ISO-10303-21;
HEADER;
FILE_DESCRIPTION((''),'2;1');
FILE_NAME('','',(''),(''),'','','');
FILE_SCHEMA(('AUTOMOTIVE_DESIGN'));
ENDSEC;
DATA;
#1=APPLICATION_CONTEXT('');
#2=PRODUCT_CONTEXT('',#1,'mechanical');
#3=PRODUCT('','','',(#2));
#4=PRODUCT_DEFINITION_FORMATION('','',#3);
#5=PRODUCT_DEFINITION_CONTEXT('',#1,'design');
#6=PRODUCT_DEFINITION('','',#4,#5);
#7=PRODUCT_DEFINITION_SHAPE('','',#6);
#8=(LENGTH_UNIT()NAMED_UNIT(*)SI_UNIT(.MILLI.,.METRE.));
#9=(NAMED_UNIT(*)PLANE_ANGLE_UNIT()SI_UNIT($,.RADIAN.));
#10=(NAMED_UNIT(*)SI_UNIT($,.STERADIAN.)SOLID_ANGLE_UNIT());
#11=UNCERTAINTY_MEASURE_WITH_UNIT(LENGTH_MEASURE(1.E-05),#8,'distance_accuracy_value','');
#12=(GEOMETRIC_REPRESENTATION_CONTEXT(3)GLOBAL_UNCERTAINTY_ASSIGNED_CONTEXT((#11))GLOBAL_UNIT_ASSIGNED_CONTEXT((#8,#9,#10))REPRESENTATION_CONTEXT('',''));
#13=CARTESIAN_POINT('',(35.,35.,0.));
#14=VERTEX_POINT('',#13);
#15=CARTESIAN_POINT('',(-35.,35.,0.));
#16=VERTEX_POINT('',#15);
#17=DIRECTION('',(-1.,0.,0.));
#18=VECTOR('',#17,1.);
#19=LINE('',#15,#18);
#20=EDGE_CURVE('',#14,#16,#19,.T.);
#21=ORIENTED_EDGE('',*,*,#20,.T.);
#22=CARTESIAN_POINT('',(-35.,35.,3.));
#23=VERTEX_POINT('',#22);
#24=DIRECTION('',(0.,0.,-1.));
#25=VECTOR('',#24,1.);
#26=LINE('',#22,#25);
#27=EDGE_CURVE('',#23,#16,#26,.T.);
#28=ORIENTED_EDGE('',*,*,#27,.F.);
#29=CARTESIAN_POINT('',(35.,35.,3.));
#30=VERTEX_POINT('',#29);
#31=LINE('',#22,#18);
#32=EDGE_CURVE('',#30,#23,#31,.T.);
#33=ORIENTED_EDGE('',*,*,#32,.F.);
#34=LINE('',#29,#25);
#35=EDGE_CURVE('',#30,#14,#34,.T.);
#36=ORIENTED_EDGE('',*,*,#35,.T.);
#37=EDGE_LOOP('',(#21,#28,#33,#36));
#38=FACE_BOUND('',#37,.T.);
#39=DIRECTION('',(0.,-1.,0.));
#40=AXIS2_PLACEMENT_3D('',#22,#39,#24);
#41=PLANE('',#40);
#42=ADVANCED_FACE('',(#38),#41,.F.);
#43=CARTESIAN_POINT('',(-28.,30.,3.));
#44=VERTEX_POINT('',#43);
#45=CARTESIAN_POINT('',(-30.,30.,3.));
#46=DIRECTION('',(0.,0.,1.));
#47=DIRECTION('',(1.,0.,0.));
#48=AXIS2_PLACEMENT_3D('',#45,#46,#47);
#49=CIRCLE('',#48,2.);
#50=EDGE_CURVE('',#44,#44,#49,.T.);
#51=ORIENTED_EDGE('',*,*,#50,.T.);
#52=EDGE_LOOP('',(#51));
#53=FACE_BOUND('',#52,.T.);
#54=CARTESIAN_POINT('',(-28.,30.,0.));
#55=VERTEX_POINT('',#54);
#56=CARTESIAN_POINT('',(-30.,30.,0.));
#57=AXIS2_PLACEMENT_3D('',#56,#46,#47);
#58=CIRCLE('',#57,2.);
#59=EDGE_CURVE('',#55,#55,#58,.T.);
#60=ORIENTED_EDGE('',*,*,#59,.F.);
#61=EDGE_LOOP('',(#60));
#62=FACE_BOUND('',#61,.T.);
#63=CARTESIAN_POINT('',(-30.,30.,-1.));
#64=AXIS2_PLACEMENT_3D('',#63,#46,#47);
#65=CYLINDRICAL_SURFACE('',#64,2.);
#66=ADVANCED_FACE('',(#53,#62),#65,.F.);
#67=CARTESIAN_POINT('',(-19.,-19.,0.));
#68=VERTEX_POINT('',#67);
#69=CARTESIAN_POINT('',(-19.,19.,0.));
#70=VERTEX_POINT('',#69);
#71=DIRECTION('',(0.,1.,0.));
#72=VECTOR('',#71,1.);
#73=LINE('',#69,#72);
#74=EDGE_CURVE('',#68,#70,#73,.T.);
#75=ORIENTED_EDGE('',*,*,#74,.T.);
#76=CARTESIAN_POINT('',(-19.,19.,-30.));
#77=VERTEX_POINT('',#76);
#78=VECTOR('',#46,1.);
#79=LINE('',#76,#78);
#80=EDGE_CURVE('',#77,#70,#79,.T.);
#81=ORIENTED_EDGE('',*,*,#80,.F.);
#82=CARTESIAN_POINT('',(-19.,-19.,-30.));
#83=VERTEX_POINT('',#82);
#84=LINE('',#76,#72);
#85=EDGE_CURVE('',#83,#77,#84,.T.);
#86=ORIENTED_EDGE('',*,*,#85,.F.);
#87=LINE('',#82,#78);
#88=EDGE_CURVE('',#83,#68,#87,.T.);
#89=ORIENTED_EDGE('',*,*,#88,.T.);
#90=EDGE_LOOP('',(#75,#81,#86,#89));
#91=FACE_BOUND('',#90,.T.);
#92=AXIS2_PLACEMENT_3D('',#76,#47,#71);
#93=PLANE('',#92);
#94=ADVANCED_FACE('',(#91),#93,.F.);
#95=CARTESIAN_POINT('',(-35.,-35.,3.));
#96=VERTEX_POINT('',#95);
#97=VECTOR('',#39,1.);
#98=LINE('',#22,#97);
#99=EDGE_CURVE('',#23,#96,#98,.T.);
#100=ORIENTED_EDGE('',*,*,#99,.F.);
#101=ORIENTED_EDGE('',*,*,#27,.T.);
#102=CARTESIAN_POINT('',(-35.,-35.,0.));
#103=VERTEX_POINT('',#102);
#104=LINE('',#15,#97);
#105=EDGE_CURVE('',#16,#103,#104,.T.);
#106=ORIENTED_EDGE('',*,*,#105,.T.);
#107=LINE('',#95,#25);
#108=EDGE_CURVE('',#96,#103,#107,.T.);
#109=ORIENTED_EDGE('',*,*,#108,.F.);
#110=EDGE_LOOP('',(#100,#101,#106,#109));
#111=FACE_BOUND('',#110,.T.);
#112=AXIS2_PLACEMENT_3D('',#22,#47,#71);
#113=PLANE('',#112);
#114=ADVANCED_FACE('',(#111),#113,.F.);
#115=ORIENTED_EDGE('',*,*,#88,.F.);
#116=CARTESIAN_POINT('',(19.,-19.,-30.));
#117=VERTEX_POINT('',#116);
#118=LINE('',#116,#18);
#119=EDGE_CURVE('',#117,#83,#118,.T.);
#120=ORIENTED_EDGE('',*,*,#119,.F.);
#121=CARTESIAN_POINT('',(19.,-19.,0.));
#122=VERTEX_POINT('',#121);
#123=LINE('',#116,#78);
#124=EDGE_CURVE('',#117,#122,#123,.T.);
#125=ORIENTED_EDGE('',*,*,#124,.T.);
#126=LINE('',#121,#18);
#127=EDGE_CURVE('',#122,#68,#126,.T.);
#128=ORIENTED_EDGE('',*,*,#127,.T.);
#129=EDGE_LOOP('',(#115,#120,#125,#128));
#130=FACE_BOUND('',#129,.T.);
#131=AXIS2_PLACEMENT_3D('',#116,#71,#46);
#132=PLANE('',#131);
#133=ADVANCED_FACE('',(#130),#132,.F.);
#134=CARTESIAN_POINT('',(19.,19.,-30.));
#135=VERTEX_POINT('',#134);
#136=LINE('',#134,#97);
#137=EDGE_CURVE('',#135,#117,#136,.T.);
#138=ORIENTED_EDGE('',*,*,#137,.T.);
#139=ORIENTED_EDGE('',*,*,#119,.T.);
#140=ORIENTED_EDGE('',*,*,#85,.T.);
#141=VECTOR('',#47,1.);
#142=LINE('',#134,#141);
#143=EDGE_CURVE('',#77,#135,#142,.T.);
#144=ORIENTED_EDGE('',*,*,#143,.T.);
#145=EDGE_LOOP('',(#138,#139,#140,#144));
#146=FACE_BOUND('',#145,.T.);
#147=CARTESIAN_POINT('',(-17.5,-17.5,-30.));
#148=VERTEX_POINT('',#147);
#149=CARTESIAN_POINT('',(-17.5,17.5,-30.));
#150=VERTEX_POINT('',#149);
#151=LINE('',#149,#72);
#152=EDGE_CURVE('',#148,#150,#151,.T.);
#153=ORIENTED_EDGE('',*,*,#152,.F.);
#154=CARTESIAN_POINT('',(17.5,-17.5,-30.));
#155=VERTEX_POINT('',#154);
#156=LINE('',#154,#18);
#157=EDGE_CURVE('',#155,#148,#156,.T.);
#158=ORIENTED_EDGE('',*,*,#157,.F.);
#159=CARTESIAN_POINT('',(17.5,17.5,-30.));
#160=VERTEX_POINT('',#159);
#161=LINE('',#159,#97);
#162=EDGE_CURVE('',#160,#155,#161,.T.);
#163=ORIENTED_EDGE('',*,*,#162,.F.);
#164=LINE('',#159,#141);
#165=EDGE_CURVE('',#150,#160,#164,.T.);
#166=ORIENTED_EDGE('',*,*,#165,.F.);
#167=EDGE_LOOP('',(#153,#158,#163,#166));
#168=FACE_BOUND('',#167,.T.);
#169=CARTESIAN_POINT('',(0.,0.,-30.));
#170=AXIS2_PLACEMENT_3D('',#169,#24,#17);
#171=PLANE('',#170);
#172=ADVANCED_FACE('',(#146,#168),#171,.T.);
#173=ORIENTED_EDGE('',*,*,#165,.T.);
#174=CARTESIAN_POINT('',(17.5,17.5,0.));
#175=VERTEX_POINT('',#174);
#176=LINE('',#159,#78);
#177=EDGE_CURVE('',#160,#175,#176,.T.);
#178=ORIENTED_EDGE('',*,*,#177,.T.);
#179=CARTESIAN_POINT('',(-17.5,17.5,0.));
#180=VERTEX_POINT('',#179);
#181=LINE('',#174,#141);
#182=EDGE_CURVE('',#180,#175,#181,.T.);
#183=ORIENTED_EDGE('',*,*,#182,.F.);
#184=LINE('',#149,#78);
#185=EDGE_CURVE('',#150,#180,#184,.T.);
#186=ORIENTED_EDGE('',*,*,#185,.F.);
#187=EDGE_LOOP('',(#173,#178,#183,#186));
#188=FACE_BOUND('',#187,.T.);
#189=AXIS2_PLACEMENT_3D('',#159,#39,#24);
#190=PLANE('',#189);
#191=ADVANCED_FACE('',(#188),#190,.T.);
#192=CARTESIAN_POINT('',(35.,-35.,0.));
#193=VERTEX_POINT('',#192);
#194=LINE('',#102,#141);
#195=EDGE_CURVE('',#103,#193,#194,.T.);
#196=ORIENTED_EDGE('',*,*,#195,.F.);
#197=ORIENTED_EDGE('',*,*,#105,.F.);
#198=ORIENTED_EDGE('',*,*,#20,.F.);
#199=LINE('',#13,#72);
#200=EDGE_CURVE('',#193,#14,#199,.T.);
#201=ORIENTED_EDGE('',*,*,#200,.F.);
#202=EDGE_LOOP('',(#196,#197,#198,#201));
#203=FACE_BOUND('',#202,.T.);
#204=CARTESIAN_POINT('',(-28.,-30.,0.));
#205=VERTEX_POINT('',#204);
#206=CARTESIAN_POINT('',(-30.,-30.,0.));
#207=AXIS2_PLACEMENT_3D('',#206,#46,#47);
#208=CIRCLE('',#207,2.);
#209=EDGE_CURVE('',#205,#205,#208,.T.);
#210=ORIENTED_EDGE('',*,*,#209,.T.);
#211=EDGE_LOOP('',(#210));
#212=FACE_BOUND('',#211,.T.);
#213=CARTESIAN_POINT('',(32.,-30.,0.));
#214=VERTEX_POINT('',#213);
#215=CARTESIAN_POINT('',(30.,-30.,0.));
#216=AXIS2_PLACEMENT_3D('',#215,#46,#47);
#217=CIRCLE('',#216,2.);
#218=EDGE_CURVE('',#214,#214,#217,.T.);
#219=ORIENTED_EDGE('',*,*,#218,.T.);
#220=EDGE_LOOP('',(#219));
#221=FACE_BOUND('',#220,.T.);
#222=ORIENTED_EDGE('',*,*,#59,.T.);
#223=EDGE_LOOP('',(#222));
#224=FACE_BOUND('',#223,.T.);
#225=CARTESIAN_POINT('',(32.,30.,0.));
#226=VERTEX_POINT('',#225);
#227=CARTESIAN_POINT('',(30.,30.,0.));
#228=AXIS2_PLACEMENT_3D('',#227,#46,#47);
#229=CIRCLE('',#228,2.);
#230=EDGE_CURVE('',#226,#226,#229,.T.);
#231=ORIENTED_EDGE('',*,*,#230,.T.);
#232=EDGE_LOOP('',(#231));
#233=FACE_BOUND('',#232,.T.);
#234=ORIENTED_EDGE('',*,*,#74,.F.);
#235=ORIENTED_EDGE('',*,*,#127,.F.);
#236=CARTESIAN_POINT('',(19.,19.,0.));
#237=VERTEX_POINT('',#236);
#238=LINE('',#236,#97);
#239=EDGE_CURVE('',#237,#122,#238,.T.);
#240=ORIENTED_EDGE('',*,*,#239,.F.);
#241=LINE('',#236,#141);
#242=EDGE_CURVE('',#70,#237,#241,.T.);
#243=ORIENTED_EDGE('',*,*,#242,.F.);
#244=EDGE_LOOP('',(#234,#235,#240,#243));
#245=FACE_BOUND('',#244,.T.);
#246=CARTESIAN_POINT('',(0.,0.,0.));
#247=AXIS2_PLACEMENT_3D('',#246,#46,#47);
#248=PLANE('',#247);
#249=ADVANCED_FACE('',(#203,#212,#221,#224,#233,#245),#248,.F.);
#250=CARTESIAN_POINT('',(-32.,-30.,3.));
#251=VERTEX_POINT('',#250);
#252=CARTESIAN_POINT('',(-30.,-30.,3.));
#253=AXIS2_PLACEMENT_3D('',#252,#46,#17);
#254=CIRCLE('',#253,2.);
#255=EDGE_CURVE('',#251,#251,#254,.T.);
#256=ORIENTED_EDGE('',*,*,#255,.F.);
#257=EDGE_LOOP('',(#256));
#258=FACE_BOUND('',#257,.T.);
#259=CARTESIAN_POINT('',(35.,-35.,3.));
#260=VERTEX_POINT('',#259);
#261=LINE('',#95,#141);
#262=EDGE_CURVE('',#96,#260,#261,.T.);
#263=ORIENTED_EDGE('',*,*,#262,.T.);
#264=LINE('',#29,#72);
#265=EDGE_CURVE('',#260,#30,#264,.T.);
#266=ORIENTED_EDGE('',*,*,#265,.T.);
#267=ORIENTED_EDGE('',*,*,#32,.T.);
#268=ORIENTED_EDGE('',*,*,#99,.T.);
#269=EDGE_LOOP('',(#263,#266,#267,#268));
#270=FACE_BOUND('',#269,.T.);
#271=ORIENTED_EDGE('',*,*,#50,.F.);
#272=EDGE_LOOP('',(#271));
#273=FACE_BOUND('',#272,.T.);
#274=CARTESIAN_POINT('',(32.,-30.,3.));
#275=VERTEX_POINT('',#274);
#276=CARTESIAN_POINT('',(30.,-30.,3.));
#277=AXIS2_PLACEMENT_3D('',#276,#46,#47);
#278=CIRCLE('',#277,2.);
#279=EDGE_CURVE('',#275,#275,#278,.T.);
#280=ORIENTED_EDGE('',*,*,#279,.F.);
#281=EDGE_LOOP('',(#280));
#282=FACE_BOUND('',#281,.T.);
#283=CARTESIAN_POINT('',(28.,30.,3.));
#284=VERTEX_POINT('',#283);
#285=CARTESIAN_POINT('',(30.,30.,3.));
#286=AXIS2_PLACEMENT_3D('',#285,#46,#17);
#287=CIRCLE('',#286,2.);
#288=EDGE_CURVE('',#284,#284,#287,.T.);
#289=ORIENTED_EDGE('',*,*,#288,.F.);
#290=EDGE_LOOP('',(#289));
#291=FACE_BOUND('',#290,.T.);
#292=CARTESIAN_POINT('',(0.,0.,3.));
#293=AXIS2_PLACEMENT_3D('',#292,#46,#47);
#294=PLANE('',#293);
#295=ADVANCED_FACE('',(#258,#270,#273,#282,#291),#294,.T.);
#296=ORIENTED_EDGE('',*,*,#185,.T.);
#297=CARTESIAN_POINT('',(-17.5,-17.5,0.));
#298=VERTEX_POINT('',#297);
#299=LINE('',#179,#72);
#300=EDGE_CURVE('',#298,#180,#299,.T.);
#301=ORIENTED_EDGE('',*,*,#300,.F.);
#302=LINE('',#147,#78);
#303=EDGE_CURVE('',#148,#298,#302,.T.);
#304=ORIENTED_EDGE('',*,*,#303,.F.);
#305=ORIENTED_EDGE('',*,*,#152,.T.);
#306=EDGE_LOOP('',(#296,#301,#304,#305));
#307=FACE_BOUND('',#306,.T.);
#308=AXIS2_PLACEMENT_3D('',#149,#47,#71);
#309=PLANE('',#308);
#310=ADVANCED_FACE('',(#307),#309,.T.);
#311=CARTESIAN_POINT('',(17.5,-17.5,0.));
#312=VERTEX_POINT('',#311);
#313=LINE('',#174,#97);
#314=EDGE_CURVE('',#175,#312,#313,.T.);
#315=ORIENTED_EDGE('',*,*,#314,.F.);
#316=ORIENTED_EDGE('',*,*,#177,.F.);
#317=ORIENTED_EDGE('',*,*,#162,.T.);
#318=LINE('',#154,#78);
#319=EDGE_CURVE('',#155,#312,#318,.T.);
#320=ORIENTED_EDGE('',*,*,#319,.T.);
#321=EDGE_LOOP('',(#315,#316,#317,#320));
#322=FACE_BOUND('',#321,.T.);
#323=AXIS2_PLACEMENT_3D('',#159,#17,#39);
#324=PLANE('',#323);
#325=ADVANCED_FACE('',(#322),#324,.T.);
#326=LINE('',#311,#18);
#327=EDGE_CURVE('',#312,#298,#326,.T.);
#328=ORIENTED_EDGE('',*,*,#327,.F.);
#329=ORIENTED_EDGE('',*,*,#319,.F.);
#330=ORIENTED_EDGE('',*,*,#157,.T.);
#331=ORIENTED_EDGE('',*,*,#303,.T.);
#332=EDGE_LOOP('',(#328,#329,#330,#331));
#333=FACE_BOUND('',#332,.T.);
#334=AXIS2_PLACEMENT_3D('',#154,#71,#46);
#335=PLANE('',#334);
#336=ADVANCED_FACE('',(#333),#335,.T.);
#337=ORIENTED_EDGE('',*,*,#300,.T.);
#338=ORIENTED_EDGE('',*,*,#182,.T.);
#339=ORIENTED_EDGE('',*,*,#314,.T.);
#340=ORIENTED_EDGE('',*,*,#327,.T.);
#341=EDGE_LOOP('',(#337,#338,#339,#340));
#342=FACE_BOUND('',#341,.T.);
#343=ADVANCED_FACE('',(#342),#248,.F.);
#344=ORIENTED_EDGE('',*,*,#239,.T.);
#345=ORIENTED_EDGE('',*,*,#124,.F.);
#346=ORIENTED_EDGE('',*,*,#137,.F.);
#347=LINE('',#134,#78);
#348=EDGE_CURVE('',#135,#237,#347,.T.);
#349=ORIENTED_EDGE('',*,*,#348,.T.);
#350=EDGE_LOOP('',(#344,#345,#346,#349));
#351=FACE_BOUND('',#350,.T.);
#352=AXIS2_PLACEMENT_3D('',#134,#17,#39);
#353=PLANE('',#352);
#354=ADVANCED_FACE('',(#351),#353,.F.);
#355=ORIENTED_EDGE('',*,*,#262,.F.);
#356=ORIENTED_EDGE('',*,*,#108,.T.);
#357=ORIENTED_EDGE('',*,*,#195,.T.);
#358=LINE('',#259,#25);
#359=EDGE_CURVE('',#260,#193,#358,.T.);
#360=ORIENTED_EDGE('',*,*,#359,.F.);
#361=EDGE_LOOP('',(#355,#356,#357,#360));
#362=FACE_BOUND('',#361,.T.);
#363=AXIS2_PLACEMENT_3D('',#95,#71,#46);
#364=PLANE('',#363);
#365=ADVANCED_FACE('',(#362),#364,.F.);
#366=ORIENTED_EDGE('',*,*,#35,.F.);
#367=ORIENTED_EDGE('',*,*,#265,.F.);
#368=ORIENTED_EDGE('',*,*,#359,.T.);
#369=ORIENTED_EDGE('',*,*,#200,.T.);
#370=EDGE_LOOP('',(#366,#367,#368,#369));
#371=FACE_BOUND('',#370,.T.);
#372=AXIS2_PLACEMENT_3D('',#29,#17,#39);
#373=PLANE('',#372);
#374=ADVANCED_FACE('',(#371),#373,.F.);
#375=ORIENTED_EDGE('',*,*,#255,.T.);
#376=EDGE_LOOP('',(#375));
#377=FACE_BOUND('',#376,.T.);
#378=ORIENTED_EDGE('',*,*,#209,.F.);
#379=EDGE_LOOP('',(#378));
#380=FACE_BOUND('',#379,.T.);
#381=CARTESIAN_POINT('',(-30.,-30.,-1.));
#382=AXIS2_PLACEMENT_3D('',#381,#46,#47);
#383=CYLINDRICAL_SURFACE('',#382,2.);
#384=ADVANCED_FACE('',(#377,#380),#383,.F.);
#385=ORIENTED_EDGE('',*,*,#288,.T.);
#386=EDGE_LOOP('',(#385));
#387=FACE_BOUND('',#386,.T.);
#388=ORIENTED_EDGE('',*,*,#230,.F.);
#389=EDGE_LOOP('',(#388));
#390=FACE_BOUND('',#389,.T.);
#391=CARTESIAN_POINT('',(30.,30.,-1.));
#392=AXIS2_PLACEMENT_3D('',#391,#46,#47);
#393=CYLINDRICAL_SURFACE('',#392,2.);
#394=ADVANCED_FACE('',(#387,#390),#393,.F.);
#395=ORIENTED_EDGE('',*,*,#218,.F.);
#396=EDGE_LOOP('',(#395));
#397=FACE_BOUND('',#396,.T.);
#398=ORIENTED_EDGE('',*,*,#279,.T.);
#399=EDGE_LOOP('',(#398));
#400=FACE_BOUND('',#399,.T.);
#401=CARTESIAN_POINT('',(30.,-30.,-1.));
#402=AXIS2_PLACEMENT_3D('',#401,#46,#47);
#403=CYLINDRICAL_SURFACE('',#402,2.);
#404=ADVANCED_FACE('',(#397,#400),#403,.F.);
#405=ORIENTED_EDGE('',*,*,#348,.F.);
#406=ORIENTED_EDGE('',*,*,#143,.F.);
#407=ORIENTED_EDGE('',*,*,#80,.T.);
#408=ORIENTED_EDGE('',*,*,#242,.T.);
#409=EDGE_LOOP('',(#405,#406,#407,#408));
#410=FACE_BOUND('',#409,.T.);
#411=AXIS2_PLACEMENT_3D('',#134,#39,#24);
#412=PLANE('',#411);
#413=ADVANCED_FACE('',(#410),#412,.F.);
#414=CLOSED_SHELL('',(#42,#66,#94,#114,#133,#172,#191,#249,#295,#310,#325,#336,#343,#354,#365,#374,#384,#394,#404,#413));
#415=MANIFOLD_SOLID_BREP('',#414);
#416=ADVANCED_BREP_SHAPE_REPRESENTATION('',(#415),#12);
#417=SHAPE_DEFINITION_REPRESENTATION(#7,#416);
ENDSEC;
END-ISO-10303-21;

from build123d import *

# Parameters (mm, degrees)
SKETCH1_W           = 70
SKETCH1_H           = 70
BOSS_EXTRUDE1_DEPTH = 3
SKETCH3_R           = 2
CUT_EXTRUDE1_DEPTH  = 4
SKETCH5_W           = 38
SKETCH5_H           = 38
SKETCH5_W_2         = 35
SKETCH5_H_2         = 35
BOSS_EXTRUDE2_DEPTH = 30


with BuildPart() as part:
    # Sketch1 → Boss-Extrude1 (new body)
    with BuildSketch(Plane.XY):
        Rectangle(SKETCH1_W, SKETCH1_H)
    extrude(amount=BOSS_EXTRUDE1_DEPTH)

    # Sketch3 → Cut-Extrude1 (cut)
    with BuildSketch(Plane.XY.offset(3)):
        with Locations((-30, 30)):
            Circle(SKETCH3_R)
        with Locations((30, 30)):
            Circle(SKETCH3_R)
        with Locations((30, -30)):
            Circle(SKETCH3_R)
        with Locations((-30, -30)):
            Circle(SKETCH3_R)
    extrude(amount=-CUT_EXTRUDE1_DEPTH, mode=Mode.SUBTRACT)

    # Sketch5 → Boss-Extrude2 (add)
    with BuildSketch(Plane(origin=(0, 0, 0), x_dir=(-1, 0, 0), z_dir=(0, 0, -1))):
        Rectangle(SKETCH5_W, SKETCH5_H)
        Rectangle(SKETCH5_W_2, SKETCH5_H_2, mode=Mode.SUBTRACT)
    extrude(amount=BOSS_EXTRUDE2_DEPTH)


solid = part.part
